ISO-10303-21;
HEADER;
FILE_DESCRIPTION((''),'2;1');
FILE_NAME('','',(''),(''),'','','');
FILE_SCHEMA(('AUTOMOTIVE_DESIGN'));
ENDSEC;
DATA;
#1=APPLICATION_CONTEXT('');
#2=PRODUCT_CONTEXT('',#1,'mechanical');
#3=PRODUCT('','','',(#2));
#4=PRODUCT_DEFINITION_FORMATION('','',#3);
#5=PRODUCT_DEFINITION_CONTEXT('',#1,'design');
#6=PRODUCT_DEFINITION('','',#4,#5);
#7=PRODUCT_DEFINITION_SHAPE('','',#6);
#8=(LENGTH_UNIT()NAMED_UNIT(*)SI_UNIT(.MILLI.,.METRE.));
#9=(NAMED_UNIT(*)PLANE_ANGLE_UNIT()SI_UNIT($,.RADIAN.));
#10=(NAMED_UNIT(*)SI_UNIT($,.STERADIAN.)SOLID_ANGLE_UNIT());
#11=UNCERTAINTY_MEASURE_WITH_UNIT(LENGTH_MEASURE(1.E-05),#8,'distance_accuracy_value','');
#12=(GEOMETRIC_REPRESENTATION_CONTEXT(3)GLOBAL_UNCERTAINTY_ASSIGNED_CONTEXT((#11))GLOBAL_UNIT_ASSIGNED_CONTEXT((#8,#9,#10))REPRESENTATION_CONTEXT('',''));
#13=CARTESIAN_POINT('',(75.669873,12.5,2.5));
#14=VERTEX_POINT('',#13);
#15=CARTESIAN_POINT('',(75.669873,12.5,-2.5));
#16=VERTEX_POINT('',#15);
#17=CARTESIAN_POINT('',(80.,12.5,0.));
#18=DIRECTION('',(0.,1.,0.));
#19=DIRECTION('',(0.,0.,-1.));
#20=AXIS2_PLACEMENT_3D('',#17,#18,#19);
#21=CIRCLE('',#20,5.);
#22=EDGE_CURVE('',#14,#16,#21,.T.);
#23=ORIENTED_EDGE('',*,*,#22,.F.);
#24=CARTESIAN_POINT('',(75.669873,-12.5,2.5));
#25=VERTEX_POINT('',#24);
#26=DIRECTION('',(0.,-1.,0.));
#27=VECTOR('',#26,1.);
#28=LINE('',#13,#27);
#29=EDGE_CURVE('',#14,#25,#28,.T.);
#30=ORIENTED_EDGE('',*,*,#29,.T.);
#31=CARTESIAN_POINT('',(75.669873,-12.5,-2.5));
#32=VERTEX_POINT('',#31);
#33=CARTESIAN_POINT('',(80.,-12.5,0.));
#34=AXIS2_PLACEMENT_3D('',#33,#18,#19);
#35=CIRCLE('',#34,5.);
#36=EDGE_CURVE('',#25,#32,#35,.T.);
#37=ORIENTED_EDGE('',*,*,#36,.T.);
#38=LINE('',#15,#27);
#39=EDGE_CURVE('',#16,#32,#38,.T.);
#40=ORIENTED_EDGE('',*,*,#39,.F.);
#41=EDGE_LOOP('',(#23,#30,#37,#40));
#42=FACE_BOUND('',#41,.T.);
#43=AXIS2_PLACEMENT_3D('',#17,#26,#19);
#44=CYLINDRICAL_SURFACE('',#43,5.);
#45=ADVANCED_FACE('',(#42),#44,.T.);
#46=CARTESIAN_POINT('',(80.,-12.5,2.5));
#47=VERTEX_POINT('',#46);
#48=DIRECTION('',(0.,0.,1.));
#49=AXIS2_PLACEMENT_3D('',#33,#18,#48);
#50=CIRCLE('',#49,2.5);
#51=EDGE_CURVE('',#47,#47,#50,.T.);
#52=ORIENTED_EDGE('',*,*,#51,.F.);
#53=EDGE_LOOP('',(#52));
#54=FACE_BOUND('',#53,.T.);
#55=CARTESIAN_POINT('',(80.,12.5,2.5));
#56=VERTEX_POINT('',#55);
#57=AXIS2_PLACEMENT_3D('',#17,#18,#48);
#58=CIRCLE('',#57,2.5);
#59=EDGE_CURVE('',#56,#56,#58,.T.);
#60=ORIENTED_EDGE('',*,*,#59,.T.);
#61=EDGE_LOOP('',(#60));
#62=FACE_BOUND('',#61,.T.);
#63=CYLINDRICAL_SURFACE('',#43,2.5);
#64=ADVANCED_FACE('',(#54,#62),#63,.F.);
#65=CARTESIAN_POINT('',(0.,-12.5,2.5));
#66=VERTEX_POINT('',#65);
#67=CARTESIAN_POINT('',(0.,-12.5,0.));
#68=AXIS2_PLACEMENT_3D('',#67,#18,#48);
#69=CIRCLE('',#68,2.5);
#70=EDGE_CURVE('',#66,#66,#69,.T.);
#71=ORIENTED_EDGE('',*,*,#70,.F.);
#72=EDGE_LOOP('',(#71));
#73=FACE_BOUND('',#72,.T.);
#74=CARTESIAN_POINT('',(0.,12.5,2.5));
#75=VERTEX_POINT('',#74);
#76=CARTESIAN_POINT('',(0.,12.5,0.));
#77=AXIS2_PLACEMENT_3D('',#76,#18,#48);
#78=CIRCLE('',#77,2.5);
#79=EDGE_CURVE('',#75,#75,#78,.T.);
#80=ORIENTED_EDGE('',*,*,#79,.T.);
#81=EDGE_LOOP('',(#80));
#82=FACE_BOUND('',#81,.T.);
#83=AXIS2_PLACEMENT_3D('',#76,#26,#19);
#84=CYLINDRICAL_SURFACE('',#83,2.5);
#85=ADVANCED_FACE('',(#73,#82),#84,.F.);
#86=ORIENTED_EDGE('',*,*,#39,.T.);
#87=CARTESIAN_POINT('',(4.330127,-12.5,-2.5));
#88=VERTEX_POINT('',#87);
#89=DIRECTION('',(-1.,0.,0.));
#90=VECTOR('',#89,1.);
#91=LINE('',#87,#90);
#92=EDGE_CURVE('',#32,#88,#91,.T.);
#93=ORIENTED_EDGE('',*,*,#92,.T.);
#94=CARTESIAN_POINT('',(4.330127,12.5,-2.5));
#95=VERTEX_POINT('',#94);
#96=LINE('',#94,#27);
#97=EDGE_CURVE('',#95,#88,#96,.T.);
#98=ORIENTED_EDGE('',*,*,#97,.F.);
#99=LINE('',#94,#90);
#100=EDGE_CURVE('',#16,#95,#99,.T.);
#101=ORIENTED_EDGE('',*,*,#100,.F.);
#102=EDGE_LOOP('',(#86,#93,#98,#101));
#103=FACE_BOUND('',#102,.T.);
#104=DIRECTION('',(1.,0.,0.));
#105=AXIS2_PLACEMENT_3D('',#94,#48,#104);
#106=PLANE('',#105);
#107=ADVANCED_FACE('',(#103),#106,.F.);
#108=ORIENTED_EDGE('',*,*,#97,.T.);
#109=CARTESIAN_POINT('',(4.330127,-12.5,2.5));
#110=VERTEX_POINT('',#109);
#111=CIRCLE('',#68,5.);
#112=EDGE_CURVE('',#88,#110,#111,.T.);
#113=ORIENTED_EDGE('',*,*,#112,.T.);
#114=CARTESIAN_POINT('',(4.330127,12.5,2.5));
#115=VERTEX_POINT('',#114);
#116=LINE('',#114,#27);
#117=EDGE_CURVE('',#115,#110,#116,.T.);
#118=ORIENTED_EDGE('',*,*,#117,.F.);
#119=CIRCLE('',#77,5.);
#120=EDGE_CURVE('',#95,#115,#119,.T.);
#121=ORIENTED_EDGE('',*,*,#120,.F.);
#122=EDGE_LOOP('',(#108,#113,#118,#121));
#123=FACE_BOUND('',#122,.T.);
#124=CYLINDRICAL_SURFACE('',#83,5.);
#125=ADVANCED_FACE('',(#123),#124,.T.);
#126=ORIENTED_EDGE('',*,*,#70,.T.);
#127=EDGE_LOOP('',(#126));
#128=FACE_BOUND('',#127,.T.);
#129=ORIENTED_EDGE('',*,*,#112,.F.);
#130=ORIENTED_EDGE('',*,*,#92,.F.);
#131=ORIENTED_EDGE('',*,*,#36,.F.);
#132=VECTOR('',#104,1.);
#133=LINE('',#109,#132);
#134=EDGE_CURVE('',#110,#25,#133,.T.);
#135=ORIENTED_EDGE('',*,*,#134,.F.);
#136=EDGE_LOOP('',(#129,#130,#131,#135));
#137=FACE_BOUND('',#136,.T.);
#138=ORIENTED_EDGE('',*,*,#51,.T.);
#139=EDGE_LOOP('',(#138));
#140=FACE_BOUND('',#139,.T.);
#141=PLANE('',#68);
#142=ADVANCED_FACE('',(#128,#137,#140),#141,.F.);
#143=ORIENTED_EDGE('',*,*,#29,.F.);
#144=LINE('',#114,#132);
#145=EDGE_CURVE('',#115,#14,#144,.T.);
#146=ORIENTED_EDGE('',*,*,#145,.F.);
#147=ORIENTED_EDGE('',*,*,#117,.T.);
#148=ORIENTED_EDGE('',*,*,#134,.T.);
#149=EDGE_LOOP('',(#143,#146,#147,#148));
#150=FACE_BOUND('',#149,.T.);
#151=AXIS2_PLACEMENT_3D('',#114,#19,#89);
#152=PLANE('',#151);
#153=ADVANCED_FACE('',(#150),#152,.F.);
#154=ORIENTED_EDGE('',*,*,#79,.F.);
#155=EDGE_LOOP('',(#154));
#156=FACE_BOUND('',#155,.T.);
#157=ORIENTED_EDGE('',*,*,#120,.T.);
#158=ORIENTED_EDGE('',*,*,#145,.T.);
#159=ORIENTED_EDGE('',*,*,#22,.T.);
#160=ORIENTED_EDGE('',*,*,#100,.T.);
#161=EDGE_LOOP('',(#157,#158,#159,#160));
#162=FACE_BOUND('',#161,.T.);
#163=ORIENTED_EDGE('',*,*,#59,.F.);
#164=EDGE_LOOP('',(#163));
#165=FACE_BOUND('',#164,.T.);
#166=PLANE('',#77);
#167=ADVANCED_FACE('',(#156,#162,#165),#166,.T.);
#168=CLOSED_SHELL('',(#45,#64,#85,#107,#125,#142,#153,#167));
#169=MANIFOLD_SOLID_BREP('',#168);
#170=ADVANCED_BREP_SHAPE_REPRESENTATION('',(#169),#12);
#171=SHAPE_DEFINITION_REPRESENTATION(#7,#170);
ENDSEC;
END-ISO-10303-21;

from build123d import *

# Parameters (mm, degrees)
SKETCH1_R           = 2.5
BOSS_EXTRUDE1_DEPTH = 12.5


with BuildPart() as part:
    # Sketch1 → Boss-Extrude1 (new, symmetric)
    with BuildSketch(Plane(origin=(0, 0, 0), x_dir=(1, 0, 0), z_dir=(0, 1, 0))):
        with BuildLine():
            Line((4.330127019, -2.5), (75.669872981, -2.5))
            ThreePointArc((75.669872981, -2.5), (85, 0), (75.669872981, 2.5))
            Line((75.669872981, 2.5), (4.330127019, 2.5))
            ThreePointArc((4.330127019, 2.5), (-5, 0), (4.330127019, -2.5))
        make_face()
        with Locations(Location((0, 0, 0), (0, 0, 270))):
            Circle(SKETCH1_R, mode=Mode.SUBTRACT)
        with Locations(Location((80, 0, 0), (0, 0, 270))):
            Circle(SKETCH1_R, mode=Mode.SUBTRACT)
    extrude(amount=BOSS_EXTRUDE1_DEPTH, both=True)


solid = part.part
